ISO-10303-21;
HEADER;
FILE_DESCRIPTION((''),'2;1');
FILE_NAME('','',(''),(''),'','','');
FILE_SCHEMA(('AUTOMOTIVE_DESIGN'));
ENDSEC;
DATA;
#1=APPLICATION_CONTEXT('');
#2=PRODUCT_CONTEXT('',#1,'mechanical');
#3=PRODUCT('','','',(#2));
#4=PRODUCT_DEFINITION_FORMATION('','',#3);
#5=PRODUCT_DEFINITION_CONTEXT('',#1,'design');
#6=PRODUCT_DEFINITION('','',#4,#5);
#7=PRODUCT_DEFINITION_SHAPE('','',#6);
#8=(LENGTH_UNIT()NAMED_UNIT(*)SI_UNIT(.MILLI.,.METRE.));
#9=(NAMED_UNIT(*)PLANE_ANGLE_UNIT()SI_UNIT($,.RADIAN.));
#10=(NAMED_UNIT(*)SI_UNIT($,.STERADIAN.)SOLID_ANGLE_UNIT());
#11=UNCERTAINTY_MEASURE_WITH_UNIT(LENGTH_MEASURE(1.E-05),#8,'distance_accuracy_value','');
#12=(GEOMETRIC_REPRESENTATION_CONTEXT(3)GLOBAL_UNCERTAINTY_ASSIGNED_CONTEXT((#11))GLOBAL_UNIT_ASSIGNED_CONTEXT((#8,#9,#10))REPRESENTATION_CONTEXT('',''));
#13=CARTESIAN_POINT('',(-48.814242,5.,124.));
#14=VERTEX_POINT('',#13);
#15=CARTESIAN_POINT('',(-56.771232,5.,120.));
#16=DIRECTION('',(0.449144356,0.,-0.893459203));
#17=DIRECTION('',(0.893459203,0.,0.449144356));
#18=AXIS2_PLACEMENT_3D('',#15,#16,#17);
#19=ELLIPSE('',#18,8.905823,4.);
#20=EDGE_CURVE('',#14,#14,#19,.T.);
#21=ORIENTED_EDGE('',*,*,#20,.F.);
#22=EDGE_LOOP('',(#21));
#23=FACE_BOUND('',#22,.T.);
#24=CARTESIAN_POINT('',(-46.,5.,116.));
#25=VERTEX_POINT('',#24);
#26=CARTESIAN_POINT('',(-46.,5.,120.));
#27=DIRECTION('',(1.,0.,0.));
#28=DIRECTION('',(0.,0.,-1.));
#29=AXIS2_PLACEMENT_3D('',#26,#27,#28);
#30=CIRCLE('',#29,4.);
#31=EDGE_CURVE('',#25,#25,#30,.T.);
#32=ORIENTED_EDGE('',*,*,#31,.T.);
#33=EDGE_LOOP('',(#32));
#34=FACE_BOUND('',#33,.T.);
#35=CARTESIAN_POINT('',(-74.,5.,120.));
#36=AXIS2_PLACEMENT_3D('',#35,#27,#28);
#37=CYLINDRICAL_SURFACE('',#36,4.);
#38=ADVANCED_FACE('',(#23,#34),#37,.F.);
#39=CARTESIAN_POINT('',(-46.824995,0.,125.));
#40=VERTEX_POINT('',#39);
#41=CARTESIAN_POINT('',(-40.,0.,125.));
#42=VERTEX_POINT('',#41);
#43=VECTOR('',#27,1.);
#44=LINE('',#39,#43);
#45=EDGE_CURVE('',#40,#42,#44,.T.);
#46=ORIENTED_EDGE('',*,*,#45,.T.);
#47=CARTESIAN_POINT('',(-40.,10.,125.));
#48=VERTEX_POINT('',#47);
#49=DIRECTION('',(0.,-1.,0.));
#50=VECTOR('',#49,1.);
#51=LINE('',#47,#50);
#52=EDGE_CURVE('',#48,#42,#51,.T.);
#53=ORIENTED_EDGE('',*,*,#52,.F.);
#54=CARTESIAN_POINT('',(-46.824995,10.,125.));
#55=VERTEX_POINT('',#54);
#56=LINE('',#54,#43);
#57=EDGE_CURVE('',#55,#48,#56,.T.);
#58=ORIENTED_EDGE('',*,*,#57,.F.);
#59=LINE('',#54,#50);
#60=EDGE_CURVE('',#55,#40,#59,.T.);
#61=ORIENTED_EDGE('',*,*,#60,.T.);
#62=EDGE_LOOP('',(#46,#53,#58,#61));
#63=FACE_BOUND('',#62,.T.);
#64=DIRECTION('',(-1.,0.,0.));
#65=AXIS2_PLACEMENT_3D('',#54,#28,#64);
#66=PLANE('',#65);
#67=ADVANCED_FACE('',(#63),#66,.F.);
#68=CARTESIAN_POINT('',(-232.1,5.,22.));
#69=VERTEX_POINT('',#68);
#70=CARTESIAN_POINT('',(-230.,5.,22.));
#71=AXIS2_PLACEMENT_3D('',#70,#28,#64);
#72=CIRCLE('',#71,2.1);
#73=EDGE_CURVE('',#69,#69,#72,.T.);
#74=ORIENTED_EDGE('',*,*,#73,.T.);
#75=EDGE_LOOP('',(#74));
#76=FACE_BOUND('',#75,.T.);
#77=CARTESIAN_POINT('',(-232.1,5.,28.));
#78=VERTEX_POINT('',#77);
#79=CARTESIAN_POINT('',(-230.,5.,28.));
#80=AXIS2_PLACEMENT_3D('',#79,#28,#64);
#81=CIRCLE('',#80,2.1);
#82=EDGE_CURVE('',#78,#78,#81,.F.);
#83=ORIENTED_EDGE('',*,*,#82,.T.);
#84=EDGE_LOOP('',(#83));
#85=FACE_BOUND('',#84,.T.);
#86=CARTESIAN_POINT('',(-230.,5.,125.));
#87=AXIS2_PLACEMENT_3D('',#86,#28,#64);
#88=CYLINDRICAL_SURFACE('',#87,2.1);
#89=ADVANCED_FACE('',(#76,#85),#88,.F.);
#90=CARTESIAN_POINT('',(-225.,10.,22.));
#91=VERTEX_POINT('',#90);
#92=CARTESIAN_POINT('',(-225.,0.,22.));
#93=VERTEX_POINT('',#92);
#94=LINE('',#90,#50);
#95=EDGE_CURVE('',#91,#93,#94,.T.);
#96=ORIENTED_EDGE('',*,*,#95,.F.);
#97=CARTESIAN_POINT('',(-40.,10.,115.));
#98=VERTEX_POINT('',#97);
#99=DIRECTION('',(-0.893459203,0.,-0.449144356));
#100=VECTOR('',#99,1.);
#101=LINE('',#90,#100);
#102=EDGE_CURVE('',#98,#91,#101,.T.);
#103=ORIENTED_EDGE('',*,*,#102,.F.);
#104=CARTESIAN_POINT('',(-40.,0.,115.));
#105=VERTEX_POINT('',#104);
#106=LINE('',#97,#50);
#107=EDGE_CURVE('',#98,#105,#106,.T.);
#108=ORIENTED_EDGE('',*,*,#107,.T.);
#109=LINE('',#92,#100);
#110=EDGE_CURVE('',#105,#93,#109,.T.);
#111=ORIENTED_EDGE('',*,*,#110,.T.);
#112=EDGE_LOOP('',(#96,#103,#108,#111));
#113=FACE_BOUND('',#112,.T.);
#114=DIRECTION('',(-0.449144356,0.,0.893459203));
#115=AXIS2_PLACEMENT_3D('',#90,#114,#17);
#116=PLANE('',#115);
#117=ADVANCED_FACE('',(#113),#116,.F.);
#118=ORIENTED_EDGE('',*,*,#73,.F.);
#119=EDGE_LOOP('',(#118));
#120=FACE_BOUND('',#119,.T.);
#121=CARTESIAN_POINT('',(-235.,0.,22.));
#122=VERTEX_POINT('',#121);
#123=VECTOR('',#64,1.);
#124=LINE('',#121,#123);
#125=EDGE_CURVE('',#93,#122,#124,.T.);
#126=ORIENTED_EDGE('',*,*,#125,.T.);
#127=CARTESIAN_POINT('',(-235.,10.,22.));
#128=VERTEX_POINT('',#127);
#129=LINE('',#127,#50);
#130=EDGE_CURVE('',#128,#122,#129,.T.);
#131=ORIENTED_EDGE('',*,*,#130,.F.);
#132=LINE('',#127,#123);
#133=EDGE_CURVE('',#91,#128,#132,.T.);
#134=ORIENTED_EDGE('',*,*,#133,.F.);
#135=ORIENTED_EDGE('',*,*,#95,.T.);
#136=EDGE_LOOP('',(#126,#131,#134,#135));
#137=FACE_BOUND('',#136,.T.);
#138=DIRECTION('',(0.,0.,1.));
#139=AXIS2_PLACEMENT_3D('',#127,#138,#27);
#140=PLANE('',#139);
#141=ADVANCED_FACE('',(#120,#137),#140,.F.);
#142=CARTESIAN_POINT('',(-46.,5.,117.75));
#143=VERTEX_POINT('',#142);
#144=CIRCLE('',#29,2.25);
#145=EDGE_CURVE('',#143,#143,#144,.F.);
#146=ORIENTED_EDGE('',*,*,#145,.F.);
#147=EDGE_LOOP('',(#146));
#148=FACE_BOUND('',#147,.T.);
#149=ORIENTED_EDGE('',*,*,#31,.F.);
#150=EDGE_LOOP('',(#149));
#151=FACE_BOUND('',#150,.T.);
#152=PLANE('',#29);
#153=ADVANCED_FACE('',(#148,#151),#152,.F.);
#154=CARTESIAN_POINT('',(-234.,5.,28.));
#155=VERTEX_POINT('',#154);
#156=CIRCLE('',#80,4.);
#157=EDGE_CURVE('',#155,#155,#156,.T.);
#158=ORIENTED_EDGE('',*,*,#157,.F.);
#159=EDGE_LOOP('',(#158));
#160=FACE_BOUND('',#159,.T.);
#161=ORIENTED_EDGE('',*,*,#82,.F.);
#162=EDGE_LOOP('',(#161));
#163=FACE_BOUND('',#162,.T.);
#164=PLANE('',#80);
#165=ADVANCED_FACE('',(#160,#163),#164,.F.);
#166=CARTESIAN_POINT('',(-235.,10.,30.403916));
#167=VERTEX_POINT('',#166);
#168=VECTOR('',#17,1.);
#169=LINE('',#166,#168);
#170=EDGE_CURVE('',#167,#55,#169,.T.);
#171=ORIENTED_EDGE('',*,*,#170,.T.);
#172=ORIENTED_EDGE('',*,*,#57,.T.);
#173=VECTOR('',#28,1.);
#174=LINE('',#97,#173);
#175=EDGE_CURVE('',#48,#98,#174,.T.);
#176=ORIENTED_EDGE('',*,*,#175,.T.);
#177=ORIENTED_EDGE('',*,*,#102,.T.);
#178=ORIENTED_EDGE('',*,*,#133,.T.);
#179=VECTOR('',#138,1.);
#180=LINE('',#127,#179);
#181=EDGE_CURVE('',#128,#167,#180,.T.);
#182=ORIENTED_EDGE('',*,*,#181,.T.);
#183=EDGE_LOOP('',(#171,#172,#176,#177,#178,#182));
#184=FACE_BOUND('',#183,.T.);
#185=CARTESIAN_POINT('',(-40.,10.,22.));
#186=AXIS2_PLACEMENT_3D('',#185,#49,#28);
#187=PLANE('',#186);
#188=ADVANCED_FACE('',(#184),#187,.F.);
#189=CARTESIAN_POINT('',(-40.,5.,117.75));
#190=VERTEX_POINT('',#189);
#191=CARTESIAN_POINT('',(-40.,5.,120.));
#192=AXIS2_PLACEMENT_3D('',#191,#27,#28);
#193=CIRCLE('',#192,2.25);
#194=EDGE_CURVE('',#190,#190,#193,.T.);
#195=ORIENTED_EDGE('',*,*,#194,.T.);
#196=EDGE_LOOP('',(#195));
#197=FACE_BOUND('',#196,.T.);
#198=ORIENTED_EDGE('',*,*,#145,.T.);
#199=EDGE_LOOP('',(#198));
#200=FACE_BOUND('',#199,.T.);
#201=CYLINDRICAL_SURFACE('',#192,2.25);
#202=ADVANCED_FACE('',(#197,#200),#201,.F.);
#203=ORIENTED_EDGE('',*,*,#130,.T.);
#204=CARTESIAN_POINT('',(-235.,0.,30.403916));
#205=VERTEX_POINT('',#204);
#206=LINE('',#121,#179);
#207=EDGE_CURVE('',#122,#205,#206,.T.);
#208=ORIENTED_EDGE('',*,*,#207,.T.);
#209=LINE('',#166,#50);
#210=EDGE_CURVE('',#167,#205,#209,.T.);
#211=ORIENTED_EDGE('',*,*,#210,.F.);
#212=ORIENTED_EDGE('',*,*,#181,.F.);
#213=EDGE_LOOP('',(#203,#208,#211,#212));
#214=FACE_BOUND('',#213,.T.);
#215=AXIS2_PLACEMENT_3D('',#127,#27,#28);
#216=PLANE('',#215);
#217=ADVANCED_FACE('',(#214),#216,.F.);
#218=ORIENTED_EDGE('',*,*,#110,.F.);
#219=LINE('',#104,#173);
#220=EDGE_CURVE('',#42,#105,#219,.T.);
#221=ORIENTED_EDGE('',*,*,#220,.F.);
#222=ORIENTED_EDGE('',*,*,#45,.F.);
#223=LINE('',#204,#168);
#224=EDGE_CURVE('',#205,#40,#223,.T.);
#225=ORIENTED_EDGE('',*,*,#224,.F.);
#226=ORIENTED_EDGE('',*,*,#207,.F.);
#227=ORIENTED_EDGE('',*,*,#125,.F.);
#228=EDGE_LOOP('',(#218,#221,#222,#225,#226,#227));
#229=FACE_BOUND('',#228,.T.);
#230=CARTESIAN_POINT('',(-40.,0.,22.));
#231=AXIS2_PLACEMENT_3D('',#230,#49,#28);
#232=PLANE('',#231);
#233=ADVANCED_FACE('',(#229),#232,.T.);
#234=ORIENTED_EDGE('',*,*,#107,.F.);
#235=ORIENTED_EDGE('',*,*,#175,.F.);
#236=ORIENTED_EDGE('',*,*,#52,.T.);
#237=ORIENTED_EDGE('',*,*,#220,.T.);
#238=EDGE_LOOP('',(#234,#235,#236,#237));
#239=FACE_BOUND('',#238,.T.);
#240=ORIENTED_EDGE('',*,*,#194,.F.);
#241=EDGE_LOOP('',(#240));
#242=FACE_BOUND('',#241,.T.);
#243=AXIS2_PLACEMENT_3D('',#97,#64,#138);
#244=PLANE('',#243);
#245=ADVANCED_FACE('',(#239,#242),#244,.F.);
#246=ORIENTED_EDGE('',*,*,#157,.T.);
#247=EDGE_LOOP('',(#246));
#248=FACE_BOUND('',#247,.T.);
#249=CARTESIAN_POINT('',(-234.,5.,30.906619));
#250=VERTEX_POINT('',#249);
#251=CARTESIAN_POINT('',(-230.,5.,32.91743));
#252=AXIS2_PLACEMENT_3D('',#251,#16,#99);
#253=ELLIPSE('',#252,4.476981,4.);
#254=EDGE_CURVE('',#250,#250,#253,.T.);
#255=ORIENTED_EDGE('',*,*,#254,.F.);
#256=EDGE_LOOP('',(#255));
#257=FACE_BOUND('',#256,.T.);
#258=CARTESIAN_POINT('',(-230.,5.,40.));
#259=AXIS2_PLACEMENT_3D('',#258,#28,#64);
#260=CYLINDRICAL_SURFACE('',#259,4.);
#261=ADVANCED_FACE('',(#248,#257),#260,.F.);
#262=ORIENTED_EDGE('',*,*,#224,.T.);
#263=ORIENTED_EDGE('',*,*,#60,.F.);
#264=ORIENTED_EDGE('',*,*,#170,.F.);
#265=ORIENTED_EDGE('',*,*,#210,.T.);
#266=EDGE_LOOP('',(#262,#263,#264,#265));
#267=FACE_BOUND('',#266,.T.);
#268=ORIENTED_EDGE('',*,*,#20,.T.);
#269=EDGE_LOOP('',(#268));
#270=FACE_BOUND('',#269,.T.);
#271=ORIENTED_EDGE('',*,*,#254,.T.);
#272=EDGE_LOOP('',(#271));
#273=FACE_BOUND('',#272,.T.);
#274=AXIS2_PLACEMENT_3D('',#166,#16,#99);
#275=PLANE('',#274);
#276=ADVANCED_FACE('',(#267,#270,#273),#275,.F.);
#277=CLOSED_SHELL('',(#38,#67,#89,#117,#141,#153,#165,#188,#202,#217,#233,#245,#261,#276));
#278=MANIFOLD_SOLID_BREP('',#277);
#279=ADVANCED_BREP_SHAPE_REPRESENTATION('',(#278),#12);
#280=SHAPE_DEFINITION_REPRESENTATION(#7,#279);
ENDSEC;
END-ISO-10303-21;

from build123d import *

# Parameters (mm, degrees)
BOSS_EXTRU_1_DEPTH      = 10
ESQUISSE4_R             = 2.1
ENL_V_MAT_EXTRU_1_DEPTH = 104
D_GAGEMENT_M41_D        = 4.5
ESQUISSE7_R             = 4
ENL_V_MAT_EXTRU_2_DEPTH = 12
ESQUISSE8_R             = 4
ENL_V_MAT_EXTRU_3_DEPTH = 28


with BuildPart() as part:
    # Esquisse1 → Boss.-Extru.1 (new body)
    with BuildSketch(Plane(origin=(0, 0, 0), x_dir=(1, 0, 0), z_dir=(0, 1, 0))):
        Polygon((-235, -22), (-235, -30.403916389), (-46.824994968, -125), (-40, -125), (-40, -115), (-225, -22), align=None)
    extrude(amount=BOSS_EXTRU_1_DEPTH)

    # Esquisse4 → Enlèv. mat.-Extru.1 (cut, through all)
    with BuildSketch(Plane(origin=(0, 0, 22), x_dir=(-1, 0, 0), z_dir=(0, 0, -1))):
        with Locations((230, 5)):
            Circle(ESQUISSE4_R)
    extrude(amount=-ENL_V_MAT_EXTRU_1_DEPTH, mode=Mode.SUBTRACT)

    # Dégagement M41 (through all)
    with Locations(Plane(origin=(-40, 0, 0), x_dir=(0, 0, -1), z_dir=(1, 0, 0))):
        with Locations((-120, 5)):
            Hole(D_GAGEMENT_M41_D / 2)

    # Esquisse7 → Enlèv. mat.-Extru.2 (cut)
    with BuildSketch(Plane(origin=(0, 0, 28), x_dir=(-1, 0, 0), z_dir=(0, 0, -1))):
        with Locations((230, 5)):
            Circle(ESQUISSE7_R)
    extrude(amount=-ENL_V_MAT_EXTRU_2_DEPTH, mode=Mode.SUBTRACT)

    # Esquisse8 → Enlèv. mat.-Extru.3 (cut)
    with BuildSketch(Plane(origin=(-46, 0, 0), x_dir=(0, 0, -1), z_dir=(1, 0, 0))):
        with Locations((-120, 5)):
            Circle(ESQUISSE8_R)
    extrude(amount=-ENL_V_MAT_EXTRU_3_DEPTH, mode=Mode.SUBTRACT)


solid = part.part
